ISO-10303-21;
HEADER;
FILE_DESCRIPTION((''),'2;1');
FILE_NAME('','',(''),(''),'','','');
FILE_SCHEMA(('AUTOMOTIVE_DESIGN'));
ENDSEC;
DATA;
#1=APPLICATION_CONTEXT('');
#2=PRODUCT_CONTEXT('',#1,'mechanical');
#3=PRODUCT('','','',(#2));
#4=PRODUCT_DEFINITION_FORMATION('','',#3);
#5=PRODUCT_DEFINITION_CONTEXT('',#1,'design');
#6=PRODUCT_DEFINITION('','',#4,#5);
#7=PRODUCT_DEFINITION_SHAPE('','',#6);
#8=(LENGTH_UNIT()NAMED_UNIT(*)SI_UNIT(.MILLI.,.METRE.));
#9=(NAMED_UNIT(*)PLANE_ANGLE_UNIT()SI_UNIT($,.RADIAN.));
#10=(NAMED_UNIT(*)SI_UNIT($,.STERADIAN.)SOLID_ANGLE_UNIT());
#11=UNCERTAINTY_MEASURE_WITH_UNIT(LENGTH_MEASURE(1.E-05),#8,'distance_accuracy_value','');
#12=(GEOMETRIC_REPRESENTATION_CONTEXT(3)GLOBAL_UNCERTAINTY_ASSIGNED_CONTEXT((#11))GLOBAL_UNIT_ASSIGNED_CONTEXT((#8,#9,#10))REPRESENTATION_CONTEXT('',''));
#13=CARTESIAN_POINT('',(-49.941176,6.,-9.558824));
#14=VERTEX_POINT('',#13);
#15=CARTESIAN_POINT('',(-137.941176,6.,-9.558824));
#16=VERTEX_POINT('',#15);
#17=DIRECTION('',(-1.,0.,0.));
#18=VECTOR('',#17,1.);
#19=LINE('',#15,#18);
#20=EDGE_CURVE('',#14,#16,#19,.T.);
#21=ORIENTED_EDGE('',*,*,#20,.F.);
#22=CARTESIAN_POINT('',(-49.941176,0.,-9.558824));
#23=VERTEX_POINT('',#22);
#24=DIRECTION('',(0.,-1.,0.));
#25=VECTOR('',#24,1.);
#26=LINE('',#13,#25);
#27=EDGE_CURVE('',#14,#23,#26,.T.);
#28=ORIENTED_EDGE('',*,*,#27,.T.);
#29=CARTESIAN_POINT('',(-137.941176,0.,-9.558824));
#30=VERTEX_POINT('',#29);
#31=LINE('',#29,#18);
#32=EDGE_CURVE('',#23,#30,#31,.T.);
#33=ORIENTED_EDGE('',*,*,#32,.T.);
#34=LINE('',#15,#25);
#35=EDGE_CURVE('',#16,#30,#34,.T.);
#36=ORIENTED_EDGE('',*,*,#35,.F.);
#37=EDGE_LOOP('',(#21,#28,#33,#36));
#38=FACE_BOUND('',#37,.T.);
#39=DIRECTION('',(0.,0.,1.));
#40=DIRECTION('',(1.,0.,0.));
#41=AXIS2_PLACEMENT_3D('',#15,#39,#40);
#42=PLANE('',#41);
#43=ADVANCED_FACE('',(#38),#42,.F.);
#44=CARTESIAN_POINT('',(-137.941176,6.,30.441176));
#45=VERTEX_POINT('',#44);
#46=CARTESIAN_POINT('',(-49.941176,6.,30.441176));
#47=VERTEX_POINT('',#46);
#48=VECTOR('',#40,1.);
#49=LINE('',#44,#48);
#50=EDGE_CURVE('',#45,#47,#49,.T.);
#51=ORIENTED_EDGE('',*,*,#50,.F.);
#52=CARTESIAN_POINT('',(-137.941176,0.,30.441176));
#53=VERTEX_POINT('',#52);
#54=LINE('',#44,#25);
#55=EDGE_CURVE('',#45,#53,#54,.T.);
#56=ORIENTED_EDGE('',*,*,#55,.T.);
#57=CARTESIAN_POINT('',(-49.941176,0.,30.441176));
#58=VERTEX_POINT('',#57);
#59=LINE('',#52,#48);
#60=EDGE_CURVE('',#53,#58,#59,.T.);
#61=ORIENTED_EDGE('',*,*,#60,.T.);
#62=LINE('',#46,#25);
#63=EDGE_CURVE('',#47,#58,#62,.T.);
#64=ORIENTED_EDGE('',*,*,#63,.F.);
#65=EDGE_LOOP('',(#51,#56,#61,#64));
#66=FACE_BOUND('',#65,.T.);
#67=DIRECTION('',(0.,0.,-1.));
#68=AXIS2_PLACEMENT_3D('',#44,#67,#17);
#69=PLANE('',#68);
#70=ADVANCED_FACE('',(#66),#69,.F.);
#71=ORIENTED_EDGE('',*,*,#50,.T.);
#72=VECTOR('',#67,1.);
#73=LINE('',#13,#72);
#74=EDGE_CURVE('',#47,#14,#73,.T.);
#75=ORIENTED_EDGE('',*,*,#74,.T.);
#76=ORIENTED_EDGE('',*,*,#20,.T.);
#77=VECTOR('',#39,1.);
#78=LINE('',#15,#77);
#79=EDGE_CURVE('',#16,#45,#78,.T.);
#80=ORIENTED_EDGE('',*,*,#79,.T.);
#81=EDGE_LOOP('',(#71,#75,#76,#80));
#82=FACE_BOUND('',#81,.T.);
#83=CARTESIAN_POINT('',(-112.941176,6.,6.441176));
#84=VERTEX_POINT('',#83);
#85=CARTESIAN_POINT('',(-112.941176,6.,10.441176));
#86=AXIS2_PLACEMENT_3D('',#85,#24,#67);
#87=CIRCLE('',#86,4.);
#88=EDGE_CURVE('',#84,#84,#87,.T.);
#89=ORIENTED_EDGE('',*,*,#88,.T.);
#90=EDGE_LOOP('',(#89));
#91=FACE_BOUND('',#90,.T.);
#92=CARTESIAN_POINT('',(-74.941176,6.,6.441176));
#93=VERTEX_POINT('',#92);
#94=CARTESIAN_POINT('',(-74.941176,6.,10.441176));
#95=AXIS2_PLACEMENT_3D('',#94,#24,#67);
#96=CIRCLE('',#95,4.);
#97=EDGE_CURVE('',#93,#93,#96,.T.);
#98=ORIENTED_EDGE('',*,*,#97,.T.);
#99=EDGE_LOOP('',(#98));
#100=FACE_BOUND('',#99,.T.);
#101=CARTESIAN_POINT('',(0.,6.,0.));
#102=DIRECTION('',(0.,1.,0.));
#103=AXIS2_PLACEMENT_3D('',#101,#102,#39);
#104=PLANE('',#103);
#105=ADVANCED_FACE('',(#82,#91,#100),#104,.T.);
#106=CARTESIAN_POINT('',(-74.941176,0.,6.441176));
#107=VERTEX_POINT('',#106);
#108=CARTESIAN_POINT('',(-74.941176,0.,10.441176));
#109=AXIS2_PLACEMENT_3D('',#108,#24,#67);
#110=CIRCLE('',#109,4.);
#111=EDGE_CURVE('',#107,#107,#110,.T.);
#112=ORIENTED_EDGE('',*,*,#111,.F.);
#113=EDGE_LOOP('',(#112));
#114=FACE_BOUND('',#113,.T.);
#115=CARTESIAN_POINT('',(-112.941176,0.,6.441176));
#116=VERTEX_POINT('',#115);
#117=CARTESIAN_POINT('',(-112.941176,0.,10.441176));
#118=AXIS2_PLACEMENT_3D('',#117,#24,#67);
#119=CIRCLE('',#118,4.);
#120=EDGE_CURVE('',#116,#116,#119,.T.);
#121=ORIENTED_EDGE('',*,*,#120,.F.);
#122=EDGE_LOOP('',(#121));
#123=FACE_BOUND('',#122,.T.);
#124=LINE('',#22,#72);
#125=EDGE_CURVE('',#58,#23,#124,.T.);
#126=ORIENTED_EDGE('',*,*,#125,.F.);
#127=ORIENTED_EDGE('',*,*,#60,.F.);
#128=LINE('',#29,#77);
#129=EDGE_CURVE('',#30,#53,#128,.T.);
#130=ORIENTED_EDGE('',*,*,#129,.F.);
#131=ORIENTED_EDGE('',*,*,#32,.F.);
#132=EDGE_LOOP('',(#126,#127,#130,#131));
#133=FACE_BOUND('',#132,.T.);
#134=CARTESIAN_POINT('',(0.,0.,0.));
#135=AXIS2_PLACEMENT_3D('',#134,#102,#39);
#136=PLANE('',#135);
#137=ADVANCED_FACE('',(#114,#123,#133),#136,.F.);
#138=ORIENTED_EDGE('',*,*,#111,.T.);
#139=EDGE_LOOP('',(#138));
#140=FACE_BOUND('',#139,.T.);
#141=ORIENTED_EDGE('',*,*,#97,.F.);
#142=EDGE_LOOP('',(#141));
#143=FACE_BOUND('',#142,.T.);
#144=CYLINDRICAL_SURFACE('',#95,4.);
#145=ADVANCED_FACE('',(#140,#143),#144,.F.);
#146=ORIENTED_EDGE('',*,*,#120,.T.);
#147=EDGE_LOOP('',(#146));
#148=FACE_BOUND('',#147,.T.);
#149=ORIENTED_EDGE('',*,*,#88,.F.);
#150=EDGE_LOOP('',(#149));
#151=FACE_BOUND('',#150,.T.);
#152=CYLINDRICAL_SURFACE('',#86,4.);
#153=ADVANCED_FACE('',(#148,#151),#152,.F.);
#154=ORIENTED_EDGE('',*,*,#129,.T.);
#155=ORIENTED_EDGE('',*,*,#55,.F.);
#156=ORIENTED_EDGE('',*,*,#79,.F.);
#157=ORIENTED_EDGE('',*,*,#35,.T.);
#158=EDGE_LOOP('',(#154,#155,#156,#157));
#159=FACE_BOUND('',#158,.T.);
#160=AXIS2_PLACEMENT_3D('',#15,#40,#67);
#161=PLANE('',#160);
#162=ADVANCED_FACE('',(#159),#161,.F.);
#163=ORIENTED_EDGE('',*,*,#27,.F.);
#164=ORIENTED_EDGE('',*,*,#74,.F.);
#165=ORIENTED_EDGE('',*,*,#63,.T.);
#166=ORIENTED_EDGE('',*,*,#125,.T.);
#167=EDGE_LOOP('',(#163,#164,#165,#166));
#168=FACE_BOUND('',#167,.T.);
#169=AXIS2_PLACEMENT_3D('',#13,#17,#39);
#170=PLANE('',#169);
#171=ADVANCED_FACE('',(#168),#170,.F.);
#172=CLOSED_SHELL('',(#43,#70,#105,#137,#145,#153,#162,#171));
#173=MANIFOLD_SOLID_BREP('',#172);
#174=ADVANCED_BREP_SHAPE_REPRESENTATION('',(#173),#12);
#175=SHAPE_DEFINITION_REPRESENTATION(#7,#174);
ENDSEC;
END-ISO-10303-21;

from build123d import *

# Parameters (mm, degrees)
SKETCH1_W           = 88
SKETCH1_H           = 40
BOSS_EXTRUDE1_DEPTH = 6
SKETCH3_R           = 4
CUT_EXTRUDE1_DEPTH  = 6


with BuildPart() as part:
    # Sketch1 → Boss-Extrude1 (new body)
    with BuildSketch(Plane(origin=(0, 0, 0), x_dir=(1, 0, 0), z_dir=(0, 1, 0))):
        with Locations((-93.941176471, -10.441176471)):
            Rectangle(SKETCH1_W, SKETCH1_H)
    extrude(amount=BOSS_EXTRUDE1_DEPTH)

    # Sketch3 → Cut-Extrude1 (cut)
    with BuildSketch(Plane.XZ):
        with Locations(Location((-74.941176471, 10.441176471, 0), (0, 0, 270))):
            Circle(SKETCH3_R)
        with Locations(Location((-112.941176471, 10.441176471, 0), (0, 0, 270))):
            Circle(SKETCH3_R)
    extrude(amount=-CUT_EXTRUDE1_DEPTH, mode=Mode.SUBTRACT)


solid = part.part
